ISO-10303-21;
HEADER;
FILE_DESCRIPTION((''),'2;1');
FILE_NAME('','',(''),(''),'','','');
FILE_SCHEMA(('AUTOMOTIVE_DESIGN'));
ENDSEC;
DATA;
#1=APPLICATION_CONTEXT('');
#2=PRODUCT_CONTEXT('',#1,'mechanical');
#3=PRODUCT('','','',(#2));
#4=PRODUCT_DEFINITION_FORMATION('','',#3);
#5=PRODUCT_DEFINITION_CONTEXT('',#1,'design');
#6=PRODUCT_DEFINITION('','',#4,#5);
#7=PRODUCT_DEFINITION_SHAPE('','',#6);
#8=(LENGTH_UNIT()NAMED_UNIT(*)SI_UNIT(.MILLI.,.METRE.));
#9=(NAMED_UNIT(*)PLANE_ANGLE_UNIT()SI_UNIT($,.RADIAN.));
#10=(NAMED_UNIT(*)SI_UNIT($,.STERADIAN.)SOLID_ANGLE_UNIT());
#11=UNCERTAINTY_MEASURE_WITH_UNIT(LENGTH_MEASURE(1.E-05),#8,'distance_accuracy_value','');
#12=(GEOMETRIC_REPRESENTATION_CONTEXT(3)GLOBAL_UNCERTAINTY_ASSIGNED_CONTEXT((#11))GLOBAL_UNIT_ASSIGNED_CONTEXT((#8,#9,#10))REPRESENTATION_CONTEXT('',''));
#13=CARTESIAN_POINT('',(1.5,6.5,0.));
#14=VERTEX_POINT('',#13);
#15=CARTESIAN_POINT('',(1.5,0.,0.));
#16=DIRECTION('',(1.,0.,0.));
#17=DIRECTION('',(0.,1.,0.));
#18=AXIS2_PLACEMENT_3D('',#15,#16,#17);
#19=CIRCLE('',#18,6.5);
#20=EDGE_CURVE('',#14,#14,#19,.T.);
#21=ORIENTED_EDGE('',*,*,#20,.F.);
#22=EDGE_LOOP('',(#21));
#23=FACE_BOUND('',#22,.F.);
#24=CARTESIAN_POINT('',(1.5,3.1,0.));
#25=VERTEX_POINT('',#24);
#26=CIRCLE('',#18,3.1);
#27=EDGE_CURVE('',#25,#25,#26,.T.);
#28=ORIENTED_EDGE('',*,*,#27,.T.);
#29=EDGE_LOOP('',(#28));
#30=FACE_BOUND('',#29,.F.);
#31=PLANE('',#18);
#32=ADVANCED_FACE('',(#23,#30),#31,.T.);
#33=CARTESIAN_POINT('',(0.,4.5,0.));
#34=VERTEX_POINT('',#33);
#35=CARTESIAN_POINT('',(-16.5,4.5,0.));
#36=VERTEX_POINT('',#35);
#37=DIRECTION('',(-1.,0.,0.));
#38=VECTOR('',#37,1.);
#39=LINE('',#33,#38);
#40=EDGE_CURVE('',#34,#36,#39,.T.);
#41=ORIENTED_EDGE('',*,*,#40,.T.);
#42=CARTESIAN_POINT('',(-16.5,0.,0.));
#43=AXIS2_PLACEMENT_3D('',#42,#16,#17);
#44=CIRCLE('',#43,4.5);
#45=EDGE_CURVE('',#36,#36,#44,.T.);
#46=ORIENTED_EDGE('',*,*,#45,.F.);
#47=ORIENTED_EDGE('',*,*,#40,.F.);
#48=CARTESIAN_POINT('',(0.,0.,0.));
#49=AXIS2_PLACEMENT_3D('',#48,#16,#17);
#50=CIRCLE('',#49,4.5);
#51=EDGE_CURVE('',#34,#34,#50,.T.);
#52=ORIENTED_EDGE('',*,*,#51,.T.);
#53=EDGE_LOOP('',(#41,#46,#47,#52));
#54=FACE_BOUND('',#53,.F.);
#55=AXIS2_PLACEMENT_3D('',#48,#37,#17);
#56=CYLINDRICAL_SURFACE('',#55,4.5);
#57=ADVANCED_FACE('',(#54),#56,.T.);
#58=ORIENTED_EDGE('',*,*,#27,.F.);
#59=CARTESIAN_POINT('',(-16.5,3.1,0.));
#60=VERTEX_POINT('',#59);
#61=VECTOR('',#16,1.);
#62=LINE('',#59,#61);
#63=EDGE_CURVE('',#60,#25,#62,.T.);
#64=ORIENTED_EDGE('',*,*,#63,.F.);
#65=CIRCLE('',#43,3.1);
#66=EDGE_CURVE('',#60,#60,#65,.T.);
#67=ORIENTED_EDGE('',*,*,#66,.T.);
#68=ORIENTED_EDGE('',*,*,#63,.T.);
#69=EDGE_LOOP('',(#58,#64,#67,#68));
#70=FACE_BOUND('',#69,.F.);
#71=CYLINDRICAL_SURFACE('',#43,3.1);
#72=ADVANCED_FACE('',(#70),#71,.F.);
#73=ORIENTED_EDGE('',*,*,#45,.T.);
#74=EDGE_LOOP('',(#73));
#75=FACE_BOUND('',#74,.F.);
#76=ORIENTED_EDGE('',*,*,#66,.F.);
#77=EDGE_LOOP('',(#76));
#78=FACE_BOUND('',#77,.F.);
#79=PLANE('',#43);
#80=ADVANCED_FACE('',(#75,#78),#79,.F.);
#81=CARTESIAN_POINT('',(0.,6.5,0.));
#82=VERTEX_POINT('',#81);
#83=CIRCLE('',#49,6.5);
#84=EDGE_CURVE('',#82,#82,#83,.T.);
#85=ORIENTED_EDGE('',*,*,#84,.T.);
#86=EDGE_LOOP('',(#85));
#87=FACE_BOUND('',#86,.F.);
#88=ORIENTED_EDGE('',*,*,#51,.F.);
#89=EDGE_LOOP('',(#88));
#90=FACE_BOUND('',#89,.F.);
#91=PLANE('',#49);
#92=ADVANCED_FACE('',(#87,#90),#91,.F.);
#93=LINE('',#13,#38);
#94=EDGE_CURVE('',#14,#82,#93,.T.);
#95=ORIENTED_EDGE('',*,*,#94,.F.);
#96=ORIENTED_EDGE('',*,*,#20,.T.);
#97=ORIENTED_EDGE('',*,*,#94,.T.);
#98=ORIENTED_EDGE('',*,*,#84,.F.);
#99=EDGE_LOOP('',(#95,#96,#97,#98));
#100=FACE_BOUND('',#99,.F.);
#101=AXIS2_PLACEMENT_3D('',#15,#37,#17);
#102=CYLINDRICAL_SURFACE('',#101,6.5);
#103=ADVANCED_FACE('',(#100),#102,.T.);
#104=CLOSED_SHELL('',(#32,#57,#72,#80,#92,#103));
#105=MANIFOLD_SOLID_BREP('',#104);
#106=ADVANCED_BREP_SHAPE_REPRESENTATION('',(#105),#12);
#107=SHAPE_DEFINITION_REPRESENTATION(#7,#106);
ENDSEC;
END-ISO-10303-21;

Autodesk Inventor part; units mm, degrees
sketch "Sketch_1" plane through (0, 0, 0) normal (0, 0, 1) x (1, 0, 0)
  line L0 (1.5, 0) -> (-16.5, 0)
  line L1 (-16.5, 4.5) -> (-16.5, 3.1)
  line L2 (-16.5, 3.1) -> (1.5, 3.1)
  line L3 (1.5, 3.1) -> (1.5, 6.5)
  line L4 (1.5, 6.5) -> (0, 6.5)
  line L5 (0, 6.5) -> (0, 4.5)
  line L6 (0, 4.5) -> (-16.5, 4.5)
revolve "Revolution1" add sketch "Sketch_1" angle 360 about axis through (1.5, 0, 0) along (1, 0, 0)
ref_plane "to_roller_XY" through (0, 0, 0) normal (1, 0, 0) x (0, 0, -1)
ref_plane "to_roller_YZ" through (0, 0, 0) normal (0, 0, -1) x (0, 1, 0)
ref_plane "to_roller_ZX" through (0, 0, 0) normal (0, 1, 0) x (1, 0, 0)
properties part number "HFROLL5_a"
